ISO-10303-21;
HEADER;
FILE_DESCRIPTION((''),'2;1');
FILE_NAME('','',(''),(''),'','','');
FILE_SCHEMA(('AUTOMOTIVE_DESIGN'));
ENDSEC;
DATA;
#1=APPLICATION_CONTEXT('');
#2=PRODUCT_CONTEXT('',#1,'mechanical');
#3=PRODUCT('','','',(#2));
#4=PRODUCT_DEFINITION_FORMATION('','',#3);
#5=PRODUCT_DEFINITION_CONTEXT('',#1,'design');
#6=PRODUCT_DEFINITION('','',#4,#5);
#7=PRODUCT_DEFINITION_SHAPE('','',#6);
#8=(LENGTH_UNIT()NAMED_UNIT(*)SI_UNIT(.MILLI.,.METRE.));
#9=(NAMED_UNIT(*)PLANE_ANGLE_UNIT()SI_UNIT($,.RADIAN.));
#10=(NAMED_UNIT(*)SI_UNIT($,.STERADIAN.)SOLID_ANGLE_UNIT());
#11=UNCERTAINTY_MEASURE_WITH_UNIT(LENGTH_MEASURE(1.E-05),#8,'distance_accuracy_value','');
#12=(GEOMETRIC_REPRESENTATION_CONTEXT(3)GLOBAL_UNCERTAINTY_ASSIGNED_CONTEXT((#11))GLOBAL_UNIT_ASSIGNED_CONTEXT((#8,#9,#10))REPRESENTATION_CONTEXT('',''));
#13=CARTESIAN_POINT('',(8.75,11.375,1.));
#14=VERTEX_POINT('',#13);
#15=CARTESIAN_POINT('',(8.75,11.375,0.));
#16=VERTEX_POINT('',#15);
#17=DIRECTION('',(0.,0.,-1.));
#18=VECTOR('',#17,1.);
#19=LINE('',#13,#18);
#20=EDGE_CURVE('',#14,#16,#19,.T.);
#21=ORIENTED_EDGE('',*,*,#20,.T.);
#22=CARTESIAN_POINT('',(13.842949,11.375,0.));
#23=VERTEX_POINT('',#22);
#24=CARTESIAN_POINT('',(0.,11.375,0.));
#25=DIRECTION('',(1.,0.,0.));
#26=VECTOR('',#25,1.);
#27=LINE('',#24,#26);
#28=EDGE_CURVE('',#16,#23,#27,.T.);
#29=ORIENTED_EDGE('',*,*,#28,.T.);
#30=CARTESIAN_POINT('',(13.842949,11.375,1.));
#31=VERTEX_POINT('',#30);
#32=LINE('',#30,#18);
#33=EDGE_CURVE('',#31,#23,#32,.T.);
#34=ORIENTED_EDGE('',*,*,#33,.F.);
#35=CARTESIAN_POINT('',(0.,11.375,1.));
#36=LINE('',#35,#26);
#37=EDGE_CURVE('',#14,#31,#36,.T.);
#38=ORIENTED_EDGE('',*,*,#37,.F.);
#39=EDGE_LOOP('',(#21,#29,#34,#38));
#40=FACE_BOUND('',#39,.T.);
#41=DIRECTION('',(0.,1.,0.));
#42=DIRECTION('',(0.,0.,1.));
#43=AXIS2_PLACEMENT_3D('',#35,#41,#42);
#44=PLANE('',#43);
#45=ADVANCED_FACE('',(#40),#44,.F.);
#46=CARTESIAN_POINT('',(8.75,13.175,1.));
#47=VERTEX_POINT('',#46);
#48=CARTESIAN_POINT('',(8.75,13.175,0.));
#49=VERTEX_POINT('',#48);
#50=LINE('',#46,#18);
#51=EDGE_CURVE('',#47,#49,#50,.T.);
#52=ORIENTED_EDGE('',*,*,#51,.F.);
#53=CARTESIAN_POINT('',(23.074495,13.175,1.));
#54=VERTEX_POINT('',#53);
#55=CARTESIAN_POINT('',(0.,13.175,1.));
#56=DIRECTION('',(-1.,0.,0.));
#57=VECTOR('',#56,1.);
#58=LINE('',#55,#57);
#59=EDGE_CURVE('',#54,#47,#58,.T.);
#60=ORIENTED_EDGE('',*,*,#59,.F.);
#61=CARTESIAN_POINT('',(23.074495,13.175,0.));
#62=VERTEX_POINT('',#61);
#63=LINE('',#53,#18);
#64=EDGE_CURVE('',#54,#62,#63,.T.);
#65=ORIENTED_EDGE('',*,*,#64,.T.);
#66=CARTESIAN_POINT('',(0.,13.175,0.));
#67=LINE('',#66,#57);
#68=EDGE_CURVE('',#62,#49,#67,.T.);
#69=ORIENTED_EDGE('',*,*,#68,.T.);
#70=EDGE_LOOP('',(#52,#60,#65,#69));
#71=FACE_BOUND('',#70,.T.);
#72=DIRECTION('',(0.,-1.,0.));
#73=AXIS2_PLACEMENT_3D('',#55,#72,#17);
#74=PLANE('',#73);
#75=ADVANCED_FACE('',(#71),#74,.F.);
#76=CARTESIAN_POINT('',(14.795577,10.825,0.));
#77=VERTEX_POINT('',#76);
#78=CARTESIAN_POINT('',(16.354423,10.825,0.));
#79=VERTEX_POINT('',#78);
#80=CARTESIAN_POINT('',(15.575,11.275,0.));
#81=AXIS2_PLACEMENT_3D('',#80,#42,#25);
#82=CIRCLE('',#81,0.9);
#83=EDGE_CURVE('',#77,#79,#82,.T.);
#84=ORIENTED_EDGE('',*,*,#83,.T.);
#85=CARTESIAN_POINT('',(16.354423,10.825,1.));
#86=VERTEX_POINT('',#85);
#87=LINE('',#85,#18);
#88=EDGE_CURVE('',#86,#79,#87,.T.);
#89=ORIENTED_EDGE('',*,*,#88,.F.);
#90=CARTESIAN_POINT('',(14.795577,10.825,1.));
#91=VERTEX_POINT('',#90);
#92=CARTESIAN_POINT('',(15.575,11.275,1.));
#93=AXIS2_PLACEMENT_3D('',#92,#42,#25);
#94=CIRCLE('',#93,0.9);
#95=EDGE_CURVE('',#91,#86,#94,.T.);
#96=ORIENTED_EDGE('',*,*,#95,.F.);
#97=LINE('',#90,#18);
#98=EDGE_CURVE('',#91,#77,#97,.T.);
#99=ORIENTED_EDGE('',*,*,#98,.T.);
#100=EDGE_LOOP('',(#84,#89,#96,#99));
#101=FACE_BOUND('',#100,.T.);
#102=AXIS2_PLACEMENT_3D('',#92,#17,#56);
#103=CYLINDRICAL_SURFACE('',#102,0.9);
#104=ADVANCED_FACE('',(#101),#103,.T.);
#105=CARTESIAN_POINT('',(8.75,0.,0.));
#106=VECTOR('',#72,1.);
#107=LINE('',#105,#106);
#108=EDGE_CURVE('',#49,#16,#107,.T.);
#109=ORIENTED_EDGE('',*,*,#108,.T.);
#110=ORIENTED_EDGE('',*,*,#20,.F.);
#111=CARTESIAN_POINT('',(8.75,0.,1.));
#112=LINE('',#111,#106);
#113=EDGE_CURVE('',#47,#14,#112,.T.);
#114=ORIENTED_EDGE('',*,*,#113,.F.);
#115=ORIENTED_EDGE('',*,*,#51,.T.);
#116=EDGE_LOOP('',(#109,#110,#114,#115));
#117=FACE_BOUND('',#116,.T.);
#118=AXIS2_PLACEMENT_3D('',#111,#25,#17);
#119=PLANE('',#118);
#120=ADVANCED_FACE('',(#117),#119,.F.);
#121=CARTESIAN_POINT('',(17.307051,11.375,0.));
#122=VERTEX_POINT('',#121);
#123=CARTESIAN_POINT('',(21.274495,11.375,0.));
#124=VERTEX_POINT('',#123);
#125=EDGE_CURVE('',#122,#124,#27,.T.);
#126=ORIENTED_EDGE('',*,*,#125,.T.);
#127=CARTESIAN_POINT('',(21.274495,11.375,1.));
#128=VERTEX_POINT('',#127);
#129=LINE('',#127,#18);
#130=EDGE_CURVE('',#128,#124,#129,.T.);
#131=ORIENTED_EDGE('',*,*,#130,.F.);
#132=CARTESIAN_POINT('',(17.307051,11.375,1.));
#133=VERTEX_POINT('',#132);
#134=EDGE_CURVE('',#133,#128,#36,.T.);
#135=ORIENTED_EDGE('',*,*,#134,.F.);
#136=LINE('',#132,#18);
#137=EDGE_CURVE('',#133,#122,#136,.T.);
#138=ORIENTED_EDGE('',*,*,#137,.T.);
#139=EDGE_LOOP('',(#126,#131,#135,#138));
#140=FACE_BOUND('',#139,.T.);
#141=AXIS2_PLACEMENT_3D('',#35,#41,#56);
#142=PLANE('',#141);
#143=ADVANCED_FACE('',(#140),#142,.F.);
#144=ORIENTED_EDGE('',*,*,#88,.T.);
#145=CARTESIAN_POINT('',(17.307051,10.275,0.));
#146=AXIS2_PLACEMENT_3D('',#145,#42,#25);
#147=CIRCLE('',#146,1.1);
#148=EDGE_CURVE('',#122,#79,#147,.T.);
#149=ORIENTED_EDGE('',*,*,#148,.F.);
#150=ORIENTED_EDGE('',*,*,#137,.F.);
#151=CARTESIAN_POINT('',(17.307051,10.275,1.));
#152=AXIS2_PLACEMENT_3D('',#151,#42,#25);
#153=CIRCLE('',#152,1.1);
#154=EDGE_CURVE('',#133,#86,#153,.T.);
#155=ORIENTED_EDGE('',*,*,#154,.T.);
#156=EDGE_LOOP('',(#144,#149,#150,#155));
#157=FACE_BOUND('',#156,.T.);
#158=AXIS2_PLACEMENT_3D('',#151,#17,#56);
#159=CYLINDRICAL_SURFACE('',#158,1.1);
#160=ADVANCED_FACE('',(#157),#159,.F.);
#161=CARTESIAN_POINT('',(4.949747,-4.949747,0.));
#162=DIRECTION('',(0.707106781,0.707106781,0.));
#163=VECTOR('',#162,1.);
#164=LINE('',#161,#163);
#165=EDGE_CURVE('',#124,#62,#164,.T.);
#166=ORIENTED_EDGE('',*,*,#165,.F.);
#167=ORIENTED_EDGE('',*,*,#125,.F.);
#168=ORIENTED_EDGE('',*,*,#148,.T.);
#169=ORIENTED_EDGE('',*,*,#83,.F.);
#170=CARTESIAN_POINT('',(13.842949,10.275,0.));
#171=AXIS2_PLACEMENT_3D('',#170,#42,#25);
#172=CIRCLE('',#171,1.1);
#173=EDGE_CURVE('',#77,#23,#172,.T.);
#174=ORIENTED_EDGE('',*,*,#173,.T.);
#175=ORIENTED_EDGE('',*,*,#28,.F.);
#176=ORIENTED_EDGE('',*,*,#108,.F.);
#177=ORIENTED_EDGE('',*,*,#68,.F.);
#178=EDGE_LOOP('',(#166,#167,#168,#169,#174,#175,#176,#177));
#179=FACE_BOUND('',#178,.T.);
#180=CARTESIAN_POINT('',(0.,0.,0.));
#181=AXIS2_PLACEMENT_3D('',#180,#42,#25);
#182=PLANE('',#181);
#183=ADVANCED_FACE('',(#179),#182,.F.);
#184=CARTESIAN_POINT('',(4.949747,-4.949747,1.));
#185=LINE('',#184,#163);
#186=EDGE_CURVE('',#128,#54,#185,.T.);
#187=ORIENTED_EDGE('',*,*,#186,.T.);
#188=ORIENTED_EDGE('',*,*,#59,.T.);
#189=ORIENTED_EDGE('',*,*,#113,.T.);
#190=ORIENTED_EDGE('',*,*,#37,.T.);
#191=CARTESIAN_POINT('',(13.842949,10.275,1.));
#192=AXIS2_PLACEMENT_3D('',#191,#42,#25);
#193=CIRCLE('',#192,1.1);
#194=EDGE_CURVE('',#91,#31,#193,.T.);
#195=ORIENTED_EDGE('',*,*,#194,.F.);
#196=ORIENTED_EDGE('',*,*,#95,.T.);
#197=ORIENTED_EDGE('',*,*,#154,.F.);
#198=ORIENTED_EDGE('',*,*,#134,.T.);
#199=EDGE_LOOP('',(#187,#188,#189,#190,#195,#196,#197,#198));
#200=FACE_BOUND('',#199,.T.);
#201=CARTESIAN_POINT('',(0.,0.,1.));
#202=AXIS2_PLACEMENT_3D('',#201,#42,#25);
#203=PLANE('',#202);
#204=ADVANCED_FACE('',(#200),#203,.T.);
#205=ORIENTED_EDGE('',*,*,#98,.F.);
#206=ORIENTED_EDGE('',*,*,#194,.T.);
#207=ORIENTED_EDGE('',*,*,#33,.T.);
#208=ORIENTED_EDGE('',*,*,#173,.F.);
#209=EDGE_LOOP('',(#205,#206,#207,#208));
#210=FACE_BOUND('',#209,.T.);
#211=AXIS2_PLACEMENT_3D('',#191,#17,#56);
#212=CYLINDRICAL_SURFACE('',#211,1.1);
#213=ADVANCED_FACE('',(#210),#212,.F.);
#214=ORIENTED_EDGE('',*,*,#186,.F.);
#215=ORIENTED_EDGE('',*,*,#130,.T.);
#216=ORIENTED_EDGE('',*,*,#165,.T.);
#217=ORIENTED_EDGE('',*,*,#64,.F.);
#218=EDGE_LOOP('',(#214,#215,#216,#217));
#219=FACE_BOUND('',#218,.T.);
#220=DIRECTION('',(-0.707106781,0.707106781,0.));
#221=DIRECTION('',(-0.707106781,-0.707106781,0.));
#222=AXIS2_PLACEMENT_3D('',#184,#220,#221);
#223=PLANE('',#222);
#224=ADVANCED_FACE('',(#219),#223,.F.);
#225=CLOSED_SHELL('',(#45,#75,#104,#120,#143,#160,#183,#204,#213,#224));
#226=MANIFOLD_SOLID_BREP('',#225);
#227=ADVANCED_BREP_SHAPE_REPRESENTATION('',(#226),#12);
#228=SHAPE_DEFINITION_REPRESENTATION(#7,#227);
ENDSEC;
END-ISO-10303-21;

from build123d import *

# Parameters (mm, degrees)
SHAPE_DEPTH = 1


with BuildPart() as part:
    # Sketch1 → Shape (new body)
    with BuildSketch(Plane.XY):
        with BuildLine():
            Line((17.307050808, 11.375), (21.274494937, 11.375))
            Line((21.274494937, 11.375), (23.074494937, 13.175))
            Line((23.074494937, 13.175), (8.75, 13.175))
            Line((8.75, 13.175), (8.75, 11.375))
            Line((8.75, 11.375), (13.842949192, 11.375))
            ThreePointArc((13.842949192, 11.375), (14.392949192, 11.227627944), (14.795577137, 10.825))
            ThreePointArc((14.795577137, 10.825), (15.575, 10.375), (16.354422863, 10.825))
            ThreePointArc((16.354422863, 10.825), (16.757050808, 11.227627944), (17.307050808, 11.375))
        make_face()
    extrude(amount=SHAPE_DEPTH)


solid = part.part
